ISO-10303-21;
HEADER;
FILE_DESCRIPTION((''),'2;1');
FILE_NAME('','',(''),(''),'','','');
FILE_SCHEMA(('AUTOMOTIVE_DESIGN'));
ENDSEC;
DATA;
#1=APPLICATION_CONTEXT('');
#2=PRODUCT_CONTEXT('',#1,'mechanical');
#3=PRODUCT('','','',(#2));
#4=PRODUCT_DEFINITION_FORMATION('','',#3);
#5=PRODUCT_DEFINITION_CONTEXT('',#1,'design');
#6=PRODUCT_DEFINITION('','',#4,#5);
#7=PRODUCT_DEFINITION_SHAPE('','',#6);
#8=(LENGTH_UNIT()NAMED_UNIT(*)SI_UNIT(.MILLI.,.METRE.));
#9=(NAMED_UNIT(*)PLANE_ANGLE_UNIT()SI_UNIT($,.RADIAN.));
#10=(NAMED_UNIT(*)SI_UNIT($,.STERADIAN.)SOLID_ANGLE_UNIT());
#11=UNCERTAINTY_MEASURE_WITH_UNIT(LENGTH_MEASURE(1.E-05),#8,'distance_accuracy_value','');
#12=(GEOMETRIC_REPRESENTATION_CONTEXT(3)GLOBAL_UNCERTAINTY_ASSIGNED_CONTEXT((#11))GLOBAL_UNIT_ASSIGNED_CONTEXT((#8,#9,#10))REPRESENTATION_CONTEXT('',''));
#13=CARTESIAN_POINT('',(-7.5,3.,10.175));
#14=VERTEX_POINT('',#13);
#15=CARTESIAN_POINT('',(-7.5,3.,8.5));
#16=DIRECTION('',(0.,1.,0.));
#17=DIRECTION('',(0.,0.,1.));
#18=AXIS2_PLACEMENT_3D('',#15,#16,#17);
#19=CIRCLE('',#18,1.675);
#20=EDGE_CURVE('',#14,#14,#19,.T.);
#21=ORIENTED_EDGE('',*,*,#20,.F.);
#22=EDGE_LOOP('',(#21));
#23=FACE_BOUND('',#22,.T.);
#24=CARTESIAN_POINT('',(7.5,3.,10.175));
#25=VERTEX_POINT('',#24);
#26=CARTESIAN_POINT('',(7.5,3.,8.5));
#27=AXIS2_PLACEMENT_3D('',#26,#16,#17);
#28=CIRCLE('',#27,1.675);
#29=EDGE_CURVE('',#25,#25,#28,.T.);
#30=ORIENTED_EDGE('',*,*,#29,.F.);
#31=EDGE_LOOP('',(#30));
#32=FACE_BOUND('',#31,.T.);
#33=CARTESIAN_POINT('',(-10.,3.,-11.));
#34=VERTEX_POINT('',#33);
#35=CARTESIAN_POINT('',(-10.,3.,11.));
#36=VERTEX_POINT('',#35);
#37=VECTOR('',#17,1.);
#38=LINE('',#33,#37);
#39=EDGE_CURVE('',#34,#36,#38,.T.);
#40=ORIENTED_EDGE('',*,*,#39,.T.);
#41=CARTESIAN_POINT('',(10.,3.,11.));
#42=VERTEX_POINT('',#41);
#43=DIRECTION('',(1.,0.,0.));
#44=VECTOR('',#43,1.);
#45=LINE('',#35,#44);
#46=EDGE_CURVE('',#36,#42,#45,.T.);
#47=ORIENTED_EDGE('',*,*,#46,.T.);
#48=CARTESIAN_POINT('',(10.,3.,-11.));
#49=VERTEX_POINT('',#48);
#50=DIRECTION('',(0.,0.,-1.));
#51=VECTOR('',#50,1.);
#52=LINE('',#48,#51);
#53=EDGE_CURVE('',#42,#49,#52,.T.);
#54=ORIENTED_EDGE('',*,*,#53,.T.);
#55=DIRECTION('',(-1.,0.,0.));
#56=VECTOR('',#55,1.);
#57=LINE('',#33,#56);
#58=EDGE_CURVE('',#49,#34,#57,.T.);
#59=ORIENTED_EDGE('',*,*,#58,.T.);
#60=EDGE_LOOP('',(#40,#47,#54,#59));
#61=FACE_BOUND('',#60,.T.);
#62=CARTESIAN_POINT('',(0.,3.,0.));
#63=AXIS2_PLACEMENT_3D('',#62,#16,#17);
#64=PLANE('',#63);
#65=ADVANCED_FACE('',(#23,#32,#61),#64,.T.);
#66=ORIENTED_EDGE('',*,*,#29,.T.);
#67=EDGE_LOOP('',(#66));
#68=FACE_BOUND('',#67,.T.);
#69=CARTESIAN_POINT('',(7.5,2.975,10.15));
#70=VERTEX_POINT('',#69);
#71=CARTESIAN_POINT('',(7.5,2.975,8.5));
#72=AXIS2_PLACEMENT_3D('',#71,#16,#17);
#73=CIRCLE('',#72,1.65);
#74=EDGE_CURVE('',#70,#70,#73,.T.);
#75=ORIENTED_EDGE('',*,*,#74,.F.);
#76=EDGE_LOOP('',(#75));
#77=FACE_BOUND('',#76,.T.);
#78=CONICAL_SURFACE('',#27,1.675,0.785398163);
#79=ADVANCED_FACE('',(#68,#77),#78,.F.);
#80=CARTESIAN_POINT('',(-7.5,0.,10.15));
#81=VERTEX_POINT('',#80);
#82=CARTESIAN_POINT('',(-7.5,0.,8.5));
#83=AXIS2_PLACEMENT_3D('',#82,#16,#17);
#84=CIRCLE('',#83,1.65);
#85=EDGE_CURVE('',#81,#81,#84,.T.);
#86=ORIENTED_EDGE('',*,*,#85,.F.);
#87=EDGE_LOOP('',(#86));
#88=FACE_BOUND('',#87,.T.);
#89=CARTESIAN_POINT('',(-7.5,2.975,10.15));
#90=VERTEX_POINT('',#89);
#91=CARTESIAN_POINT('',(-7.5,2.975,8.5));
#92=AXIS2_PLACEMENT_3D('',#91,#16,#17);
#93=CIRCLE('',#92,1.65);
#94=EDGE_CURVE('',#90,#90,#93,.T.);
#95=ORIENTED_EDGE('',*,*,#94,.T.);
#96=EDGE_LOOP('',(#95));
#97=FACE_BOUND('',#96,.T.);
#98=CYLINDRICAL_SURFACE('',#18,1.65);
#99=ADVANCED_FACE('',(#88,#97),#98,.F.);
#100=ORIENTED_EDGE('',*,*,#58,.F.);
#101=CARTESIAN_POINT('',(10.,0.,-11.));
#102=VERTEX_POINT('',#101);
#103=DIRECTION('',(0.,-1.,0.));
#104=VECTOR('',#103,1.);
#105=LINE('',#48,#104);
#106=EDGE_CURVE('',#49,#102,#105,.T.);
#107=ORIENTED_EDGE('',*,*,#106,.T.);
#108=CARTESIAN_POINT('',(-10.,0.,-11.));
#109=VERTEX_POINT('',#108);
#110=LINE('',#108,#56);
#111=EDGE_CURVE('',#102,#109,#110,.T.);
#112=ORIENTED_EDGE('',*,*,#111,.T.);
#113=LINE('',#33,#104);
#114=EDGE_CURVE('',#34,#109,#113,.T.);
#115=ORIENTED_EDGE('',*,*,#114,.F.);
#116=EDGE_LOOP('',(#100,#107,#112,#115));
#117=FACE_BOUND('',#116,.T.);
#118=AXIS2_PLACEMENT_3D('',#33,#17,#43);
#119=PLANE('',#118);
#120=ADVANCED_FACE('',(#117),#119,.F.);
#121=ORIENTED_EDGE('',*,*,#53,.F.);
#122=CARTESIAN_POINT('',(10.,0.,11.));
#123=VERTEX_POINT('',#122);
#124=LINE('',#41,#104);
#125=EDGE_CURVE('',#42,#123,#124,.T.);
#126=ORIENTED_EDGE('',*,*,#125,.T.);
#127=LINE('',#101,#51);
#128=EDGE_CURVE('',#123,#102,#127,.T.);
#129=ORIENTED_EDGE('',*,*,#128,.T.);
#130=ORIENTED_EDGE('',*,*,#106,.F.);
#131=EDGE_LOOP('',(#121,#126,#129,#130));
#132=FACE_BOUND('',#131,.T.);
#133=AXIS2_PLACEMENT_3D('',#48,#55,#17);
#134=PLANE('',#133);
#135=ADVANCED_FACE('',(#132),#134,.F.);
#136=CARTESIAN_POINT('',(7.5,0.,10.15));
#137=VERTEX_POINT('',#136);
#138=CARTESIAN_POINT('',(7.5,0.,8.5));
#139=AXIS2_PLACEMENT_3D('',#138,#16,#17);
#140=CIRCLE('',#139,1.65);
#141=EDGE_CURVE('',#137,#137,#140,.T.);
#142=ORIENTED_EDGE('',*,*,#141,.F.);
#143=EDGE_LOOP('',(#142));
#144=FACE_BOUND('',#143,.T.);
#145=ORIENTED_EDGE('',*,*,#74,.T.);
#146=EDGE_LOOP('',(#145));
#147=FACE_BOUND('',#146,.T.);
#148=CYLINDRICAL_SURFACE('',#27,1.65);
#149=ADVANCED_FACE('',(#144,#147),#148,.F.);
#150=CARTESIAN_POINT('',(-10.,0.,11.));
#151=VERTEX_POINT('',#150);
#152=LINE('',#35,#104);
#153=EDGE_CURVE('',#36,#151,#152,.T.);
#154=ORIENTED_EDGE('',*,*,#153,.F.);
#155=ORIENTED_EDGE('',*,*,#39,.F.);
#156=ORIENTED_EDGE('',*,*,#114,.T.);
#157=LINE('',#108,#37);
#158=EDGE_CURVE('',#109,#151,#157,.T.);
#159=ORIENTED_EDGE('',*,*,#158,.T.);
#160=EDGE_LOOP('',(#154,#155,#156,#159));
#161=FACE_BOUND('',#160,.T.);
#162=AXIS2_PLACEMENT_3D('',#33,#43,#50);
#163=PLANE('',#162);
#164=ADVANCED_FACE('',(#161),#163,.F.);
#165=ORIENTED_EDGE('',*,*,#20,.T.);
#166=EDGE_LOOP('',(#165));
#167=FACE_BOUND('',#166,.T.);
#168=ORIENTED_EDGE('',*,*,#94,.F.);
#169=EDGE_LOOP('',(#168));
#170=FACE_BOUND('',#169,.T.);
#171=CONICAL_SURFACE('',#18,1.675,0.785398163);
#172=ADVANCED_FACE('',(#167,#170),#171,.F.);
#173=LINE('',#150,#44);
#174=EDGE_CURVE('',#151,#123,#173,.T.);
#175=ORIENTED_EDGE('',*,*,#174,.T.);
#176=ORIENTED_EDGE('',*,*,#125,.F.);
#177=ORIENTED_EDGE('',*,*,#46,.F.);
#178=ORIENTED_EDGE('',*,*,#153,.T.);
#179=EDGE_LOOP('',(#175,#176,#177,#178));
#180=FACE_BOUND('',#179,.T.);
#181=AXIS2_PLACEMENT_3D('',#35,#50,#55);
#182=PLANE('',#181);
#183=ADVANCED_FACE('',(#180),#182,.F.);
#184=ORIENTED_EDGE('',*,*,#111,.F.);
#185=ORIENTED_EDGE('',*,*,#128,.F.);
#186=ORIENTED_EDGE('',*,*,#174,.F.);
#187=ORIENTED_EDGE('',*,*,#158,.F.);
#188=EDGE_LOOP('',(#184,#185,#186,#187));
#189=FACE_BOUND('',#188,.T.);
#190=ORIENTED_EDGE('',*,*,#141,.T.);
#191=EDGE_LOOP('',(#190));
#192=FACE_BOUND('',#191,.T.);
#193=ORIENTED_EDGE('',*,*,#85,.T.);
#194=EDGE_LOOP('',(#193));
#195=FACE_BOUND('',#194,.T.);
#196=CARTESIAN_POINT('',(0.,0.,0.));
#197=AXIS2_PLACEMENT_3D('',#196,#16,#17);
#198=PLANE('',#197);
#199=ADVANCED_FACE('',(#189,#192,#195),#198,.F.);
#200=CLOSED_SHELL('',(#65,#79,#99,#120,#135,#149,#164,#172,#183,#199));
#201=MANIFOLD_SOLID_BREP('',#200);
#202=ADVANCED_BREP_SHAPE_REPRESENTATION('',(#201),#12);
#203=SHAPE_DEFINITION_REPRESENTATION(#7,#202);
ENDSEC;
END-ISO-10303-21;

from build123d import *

# Parameters (mm, degrees)
SKETCH1_W                            = 20
SKETCH1_H                            = 22
BOSS_EXTRUDE1_DEPTH                  = 3
F_3_3_3_3_DIAMETER_HOLE1_D           = 3.3
F_3_3_3_3_DIAMETER_HOLE1_CSINK_D     = 3.35
F_3_3_3_3_DIAMETER_HOLE1_CSINK_ANGLE = 90


with BuildPart() as part:
    # Sketch1 → Boss-Extrude1 (new body)
    with BuildSketch(Plane(origin=(0, 0, 0), x_dir=(1, 0, 0), z_dir=(0, 1, 0))):
        Rectangle(SKETCH1_W, SKETCH1_H)
    extrude(amount=BOSS_EXTRUDE1_DEPTH)

    # Ø3.3 (3.3) Diameter Hole1 (through all)
    with Locations(Plane(origin=(0, 3, 0), x_dir=(1, 0, 0), z_dir=(0, 1, 0))):
        with Locations((7.5, -8.5), (-7.5, -8.5)):
            CounterSinkHole(F_3_3_3_3_DIAMETER_HOLE1_D / 2, F_3_3_3_3_DIAMETER_HOLE1_CSINK_D / 2, counter_sink_angle=F_3_3_3_3_DIAMETER_HOLE1_CSINK_ANGLE)


solid = part.part
